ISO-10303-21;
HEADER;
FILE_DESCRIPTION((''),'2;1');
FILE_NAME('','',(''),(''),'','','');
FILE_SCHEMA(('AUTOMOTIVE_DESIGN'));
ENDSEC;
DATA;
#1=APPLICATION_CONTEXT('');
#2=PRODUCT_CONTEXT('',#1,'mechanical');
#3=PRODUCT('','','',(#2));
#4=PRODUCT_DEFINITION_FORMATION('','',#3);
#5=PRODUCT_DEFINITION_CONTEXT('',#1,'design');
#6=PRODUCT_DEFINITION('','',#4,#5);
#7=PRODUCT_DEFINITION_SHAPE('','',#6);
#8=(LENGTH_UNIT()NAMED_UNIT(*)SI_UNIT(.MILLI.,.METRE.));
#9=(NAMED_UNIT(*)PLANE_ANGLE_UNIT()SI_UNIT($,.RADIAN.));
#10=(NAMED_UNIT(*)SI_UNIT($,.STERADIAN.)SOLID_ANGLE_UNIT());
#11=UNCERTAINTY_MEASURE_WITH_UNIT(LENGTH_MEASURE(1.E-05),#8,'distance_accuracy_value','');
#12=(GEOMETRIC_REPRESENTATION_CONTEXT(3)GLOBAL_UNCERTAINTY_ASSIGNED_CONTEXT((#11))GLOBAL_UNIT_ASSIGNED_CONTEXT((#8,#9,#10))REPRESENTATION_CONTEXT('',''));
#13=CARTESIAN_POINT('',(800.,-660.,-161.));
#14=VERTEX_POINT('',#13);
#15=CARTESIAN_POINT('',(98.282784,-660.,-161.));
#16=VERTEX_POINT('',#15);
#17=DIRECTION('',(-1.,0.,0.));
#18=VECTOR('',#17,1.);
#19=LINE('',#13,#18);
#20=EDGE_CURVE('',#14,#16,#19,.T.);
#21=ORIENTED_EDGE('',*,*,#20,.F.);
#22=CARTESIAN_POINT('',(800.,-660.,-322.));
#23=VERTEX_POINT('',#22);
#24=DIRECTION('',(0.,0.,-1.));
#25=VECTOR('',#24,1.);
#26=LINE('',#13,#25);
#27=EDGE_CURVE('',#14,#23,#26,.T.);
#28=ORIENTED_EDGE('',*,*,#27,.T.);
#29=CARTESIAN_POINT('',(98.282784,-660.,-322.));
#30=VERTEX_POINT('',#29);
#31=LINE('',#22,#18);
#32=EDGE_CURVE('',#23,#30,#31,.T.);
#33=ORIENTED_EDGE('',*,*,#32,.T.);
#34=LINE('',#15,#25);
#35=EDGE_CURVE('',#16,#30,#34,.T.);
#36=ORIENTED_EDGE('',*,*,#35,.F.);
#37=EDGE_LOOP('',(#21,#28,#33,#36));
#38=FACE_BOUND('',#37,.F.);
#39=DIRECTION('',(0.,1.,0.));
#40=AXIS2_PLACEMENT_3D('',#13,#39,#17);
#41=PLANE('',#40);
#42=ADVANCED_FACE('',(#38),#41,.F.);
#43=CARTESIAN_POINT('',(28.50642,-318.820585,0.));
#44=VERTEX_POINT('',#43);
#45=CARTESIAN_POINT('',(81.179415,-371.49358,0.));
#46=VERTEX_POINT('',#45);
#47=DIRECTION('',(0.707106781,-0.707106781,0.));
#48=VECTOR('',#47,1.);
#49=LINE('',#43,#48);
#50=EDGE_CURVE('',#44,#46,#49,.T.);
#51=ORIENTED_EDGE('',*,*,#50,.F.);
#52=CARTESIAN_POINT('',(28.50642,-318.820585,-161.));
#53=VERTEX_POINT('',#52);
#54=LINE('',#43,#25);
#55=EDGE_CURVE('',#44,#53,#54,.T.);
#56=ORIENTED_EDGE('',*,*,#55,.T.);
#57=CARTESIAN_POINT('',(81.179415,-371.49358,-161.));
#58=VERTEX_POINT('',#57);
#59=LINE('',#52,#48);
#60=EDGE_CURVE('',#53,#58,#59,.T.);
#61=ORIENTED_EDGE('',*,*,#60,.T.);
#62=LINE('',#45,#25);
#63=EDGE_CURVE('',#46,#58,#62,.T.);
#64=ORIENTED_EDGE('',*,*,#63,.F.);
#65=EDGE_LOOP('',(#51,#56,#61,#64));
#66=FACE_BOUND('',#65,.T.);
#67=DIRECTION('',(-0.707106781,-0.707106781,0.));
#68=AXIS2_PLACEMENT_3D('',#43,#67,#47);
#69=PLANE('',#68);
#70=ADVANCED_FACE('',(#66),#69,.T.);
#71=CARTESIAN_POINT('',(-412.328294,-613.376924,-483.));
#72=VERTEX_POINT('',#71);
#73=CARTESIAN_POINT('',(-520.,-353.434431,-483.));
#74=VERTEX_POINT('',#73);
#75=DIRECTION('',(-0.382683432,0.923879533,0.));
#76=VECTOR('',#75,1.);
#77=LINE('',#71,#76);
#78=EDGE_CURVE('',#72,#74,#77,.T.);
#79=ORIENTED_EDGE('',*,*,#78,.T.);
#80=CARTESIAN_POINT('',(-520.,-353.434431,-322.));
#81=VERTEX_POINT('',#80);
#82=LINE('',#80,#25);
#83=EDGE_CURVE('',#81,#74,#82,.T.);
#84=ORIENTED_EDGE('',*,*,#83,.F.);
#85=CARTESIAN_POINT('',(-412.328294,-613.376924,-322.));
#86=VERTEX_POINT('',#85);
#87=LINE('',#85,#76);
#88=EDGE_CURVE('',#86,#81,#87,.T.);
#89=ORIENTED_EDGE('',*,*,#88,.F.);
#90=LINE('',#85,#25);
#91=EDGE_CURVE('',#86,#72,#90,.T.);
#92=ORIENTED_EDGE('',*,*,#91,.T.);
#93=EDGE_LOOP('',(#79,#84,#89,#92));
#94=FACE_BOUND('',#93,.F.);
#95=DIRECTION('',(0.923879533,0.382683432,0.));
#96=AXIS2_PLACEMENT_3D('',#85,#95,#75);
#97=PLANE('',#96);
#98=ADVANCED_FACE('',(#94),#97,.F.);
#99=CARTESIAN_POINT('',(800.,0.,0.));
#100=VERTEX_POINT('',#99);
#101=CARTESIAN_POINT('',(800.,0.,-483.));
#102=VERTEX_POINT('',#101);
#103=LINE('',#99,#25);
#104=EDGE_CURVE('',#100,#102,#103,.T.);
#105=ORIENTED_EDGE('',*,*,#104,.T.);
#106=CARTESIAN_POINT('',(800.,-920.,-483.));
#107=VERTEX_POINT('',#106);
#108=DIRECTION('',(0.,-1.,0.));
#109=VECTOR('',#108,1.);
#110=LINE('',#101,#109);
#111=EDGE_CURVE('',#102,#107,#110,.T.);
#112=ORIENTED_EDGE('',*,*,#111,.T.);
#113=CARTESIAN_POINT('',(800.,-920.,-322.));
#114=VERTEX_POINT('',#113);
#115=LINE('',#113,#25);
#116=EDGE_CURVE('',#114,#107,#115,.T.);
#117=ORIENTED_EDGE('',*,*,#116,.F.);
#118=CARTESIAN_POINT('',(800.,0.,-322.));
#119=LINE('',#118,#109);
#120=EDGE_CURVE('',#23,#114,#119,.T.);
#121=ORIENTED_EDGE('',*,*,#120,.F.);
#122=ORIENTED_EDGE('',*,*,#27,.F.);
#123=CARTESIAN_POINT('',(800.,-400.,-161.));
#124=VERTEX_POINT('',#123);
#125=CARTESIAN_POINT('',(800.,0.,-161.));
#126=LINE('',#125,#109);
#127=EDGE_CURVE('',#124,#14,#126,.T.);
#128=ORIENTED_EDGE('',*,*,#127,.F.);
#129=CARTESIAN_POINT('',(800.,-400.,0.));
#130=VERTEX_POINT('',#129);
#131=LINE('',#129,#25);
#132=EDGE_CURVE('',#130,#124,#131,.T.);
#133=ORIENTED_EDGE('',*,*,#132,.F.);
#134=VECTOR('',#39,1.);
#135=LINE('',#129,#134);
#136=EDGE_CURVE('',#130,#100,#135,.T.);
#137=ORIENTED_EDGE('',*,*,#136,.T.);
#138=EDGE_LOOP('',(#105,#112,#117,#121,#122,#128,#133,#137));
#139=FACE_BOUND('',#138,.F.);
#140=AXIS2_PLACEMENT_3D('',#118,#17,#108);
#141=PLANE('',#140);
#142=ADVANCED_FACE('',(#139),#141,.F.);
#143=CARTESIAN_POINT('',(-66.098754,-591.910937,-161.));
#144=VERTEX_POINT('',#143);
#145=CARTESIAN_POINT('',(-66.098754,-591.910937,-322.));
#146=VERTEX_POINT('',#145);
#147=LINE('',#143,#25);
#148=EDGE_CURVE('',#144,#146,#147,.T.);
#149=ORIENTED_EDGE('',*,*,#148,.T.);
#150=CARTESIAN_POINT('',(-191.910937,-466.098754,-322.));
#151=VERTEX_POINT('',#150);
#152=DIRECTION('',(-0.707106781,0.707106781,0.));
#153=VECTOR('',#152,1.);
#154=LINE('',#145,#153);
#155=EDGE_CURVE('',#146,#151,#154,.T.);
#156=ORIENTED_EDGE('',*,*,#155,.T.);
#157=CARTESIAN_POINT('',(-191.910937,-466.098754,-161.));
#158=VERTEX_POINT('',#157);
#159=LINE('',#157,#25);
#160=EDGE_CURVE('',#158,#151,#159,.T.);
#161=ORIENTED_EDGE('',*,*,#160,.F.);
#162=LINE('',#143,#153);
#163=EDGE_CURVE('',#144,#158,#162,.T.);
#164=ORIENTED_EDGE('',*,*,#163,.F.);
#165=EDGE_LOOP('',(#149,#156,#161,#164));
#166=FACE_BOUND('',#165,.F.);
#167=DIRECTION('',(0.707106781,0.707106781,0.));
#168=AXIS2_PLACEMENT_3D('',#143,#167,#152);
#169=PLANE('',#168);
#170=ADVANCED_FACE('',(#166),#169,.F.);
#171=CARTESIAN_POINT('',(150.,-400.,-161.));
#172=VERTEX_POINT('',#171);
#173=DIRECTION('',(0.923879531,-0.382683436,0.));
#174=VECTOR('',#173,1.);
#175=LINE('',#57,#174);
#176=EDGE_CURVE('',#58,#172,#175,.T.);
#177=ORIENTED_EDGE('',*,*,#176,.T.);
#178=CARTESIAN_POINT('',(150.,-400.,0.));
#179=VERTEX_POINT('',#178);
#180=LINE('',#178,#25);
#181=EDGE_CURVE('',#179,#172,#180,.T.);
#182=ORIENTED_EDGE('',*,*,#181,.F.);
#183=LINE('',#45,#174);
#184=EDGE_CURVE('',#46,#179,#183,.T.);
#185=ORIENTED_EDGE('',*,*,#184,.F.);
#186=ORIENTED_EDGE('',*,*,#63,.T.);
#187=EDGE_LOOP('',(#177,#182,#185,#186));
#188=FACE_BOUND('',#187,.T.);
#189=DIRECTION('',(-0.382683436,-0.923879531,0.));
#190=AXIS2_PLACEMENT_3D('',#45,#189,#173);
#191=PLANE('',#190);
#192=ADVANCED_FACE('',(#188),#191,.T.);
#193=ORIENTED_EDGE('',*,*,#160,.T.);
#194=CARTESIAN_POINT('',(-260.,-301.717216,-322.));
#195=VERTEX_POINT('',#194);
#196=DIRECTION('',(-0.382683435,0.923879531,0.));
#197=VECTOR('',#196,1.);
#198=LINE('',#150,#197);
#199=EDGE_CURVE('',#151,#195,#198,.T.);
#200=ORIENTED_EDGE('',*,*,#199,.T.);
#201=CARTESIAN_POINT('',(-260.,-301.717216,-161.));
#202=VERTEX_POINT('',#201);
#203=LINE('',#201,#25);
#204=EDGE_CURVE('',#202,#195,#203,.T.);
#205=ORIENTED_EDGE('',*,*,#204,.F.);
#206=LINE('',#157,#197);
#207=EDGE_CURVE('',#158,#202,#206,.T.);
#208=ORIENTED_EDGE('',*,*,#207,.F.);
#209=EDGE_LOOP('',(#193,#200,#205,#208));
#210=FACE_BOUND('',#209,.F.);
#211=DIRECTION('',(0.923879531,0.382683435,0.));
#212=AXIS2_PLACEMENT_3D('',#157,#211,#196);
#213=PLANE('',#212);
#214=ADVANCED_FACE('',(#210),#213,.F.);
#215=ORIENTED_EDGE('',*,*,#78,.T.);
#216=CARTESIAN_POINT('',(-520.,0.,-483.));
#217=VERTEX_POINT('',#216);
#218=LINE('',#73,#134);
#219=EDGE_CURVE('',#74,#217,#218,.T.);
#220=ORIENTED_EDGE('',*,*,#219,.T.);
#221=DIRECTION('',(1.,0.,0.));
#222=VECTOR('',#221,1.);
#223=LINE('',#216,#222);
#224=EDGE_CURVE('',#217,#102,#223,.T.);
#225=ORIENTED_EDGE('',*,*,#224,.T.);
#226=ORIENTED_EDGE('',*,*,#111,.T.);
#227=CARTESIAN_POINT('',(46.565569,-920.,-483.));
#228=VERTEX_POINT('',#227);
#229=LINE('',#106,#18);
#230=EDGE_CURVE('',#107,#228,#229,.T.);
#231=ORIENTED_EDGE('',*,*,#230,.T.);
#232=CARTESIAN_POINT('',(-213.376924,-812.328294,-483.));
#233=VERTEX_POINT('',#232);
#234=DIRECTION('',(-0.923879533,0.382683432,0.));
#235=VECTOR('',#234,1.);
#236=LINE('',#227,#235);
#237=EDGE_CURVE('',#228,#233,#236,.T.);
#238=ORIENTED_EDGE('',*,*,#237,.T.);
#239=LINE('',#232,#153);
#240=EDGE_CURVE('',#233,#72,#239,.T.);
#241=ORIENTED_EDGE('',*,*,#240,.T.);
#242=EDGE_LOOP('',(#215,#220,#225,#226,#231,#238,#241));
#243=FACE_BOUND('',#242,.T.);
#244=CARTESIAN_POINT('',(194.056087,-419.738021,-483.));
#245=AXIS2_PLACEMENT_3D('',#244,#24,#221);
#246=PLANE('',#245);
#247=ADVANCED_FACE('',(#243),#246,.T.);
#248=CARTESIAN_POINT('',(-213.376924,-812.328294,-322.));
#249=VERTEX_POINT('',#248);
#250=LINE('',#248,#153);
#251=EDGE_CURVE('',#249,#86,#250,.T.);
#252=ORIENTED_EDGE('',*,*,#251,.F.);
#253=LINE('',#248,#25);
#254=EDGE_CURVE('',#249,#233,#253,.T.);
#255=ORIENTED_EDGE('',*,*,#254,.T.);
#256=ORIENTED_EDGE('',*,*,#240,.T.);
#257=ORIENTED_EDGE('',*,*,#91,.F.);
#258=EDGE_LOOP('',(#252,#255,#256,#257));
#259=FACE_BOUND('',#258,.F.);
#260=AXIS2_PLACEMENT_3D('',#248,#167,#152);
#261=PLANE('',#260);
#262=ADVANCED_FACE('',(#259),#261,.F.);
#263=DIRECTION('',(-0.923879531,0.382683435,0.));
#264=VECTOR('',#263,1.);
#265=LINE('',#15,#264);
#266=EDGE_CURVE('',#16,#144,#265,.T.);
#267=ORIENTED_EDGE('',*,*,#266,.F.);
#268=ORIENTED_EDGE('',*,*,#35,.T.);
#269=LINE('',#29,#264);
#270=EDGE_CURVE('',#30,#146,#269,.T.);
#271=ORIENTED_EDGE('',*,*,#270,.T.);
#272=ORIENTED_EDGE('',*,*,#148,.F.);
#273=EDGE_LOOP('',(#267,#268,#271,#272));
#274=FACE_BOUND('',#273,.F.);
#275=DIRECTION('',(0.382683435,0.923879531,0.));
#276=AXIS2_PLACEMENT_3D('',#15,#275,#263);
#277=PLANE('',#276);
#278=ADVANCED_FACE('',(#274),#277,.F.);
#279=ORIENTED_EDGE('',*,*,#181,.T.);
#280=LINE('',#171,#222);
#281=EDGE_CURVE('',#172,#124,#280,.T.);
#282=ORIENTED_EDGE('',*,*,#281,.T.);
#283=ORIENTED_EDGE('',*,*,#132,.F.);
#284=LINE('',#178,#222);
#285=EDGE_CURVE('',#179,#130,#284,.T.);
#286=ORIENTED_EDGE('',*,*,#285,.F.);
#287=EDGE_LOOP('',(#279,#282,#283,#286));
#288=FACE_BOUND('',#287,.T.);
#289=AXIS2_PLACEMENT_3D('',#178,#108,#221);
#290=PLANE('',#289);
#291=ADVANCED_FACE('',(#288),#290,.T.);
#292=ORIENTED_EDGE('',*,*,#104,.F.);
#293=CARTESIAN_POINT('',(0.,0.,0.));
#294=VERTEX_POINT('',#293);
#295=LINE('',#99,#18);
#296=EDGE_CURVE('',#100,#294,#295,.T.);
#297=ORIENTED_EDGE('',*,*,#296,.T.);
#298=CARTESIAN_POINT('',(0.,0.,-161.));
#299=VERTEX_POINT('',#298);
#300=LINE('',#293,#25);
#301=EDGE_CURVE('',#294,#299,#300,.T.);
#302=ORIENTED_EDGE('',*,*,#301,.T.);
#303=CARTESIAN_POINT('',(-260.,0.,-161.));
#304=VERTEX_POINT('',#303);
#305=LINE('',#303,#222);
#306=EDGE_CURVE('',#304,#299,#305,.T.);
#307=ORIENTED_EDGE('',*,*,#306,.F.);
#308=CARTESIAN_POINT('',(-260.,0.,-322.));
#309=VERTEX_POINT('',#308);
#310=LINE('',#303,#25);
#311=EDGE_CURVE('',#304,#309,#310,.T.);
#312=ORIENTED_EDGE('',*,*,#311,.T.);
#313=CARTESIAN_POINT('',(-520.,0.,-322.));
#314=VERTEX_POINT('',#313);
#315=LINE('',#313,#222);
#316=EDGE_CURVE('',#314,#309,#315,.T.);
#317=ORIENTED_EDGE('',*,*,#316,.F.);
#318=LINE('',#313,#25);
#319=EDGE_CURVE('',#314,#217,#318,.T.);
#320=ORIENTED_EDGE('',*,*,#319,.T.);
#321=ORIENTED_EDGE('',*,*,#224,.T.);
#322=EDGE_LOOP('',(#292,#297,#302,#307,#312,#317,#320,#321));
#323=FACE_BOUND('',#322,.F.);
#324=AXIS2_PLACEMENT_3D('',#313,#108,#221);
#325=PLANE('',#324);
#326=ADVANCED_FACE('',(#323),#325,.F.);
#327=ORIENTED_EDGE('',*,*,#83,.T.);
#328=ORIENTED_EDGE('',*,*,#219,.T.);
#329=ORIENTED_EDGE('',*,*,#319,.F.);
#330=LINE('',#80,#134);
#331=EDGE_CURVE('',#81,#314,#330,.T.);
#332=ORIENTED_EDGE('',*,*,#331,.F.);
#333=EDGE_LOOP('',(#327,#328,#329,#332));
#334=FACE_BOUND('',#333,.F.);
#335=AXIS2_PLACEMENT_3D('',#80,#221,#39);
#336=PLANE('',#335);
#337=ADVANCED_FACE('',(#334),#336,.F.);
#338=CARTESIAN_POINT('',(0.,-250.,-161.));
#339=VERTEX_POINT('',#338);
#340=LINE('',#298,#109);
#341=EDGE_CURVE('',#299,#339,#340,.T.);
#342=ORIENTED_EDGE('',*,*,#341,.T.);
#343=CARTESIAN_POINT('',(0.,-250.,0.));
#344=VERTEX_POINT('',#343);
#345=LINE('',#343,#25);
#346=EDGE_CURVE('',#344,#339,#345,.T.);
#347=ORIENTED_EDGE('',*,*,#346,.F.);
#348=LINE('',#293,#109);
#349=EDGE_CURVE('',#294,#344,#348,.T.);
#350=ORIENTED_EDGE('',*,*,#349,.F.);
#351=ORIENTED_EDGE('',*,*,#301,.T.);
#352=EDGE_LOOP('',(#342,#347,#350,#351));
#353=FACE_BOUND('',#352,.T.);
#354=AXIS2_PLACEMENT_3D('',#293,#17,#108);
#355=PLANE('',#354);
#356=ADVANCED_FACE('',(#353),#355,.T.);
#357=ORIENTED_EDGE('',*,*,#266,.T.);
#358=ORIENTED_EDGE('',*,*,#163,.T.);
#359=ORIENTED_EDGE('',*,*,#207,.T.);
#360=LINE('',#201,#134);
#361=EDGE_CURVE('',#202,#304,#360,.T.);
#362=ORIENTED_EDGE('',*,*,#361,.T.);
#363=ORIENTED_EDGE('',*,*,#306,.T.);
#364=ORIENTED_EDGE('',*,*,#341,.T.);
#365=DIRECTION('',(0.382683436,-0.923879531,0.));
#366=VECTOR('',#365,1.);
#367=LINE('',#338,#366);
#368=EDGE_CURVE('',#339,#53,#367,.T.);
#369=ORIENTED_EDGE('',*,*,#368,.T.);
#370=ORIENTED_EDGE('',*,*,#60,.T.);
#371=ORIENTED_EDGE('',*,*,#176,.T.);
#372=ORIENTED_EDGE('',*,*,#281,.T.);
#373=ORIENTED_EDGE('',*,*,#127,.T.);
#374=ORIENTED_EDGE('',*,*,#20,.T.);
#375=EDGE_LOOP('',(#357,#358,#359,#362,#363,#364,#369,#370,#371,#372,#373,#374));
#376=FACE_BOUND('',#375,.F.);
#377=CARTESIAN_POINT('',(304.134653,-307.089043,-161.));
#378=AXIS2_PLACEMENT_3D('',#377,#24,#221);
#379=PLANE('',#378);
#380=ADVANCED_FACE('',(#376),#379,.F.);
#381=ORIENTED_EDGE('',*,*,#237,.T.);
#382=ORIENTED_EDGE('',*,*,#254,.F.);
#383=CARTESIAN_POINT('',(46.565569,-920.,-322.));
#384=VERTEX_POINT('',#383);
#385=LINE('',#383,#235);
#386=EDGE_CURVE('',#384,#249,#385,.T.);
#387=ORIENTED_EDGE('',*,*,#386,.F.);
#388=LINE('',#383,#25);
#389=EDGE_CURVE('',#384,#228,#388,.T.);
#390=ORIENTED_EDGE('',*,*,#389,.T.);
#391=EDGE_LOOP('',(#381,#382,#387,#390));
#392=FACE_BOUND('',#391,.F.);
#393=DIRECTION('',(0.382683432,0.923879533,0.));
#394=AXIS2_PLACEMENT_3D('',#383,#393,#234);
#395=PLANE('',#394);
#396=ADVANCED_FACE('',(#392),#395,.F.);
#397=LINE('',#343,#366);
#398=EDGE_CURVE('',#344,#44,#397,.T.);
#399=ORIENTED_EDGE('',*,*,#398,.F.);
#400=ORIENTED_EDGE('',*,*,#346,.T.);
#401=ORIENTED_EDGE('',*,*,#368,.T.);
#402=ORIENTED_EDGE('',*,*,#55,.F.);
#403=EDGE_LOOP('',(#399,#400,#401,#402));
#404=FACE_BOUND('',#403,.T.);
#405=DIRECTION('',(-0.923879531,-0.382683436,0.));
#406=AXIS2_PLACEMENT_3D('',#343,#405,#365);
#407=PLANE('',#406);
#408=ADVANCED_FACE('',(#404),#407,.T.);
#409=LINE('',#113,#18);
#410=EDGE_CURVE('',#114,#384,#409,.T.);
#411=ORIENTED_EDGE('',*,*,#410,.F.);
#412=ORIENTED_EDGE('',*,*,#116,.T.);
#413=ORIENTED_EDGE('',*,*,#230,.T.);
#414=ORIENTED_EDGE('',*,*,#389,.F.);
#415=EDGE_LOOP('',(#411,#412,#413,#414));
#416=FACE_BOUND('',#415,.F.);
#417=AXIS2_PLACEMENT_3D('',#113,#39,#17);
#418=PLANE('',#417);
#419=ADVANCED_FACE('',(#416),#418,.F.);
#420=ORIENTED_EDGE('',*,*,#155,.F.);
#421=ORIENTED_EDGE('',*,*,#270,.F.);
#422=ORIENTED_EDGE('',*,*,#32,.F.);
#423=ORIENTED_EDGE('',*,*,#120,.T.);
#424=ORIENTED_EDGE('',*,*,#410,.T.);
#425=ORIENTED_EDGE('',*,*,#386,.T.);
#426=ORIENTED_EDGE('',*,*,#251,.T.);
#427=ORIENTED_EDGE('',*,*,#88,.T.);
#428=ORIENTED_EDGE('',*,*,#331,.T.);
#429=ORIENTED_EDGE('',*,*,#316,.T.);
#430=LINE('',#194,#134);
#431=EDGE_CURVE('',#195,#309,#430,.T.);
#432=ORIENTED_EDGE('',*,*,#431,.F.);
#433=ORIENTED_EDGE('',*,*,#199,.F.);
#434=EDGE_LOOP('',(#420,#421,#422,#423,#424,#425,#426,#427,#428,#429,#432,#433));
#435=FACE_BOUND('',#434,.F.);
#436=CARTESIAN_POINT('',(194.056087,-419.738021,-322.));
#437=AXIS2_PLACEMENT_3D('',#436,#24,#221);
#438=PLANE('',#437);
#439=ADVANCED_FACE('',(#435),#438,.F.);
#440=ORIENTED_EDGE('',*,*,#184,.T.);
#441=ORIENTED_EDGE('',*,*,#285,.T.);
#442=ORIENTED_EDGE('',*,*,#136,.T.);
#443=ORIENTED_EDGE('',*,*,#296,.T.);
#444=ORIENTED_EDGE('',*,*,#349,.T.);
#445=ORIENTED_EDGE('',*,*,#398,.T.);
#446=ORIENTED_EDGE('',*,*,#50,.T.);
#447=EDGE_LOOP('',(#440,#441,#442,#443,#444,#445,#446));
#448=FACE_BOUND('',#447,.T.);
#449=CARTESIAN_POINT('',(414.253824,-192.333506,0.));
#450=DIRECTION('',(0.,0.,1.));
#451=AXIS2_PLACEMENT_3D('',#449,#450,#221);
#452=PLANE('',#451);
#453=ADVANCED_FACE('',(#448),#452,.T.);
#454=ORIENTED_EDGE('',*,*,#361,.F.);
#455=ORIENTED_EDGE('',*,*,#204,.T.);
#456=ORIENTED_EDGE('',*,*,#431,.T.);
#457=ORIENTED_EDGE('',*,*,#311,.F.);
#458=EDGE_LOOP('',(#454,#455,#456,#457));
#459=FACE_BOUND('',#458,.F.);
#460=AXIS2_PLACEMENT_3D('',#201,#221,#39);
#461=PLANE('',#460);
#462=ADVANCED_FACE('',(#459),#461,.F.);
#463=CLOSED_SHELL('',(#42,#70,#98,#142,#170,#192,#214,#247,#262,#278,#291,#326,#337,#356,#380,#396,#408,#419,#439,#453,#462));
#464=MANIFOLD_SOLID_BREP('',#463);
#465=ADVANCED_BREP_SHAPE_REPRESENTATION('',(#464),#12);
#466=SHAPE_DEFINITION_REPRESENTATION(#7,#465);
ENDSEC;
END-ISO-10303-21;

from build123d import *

# Parameters (mm, degrees)
F1_DEPTH = 161
F3_DEPTH = 161
F5_DEPTH = 161


with BuildPart() as f1:
    # F0 (on Top) → F1 (new body)
    with BuildSketch(Plane.XY):
        Polygon((800, 0), (0, 0), (0, -250), (28.50642, -318.820585), (81.179415, -371.49358), (150, -400), (800, -400), align=None)
    extrude(amount=-F1_DEPTH)

    # F2 (on face) → F3 (join)
    with BuildSketch(Plane(origin=(0, 0, -161), x_dir=(1, 0, 0), z_dir=(0, 0, -1))):
        Polygon((-191.910937, 466.098754), (-260, 301.717216), (-260, 0), (800, 0), (800, 660), (98.282784, 660), (-66.098754, 591.910937), align=None)
    extrude(amount=F3_DEPTH)

    # F4 (on face) → F5 (join)
    with BuildSketch(Plane(origin=(0, 0, -322), x_dir=(1, 0, 0), z_dir=(0, 0, -1))):
        Polygon((-412.328294, 613.376924), (-520, 353.434431), (-520, 0), (800, 0), (800, 920), (46.565569, 920), (-213.376924, 812.328294), align=None)
    extrude(amount=F5_DEPTH)


solid = f1.part
